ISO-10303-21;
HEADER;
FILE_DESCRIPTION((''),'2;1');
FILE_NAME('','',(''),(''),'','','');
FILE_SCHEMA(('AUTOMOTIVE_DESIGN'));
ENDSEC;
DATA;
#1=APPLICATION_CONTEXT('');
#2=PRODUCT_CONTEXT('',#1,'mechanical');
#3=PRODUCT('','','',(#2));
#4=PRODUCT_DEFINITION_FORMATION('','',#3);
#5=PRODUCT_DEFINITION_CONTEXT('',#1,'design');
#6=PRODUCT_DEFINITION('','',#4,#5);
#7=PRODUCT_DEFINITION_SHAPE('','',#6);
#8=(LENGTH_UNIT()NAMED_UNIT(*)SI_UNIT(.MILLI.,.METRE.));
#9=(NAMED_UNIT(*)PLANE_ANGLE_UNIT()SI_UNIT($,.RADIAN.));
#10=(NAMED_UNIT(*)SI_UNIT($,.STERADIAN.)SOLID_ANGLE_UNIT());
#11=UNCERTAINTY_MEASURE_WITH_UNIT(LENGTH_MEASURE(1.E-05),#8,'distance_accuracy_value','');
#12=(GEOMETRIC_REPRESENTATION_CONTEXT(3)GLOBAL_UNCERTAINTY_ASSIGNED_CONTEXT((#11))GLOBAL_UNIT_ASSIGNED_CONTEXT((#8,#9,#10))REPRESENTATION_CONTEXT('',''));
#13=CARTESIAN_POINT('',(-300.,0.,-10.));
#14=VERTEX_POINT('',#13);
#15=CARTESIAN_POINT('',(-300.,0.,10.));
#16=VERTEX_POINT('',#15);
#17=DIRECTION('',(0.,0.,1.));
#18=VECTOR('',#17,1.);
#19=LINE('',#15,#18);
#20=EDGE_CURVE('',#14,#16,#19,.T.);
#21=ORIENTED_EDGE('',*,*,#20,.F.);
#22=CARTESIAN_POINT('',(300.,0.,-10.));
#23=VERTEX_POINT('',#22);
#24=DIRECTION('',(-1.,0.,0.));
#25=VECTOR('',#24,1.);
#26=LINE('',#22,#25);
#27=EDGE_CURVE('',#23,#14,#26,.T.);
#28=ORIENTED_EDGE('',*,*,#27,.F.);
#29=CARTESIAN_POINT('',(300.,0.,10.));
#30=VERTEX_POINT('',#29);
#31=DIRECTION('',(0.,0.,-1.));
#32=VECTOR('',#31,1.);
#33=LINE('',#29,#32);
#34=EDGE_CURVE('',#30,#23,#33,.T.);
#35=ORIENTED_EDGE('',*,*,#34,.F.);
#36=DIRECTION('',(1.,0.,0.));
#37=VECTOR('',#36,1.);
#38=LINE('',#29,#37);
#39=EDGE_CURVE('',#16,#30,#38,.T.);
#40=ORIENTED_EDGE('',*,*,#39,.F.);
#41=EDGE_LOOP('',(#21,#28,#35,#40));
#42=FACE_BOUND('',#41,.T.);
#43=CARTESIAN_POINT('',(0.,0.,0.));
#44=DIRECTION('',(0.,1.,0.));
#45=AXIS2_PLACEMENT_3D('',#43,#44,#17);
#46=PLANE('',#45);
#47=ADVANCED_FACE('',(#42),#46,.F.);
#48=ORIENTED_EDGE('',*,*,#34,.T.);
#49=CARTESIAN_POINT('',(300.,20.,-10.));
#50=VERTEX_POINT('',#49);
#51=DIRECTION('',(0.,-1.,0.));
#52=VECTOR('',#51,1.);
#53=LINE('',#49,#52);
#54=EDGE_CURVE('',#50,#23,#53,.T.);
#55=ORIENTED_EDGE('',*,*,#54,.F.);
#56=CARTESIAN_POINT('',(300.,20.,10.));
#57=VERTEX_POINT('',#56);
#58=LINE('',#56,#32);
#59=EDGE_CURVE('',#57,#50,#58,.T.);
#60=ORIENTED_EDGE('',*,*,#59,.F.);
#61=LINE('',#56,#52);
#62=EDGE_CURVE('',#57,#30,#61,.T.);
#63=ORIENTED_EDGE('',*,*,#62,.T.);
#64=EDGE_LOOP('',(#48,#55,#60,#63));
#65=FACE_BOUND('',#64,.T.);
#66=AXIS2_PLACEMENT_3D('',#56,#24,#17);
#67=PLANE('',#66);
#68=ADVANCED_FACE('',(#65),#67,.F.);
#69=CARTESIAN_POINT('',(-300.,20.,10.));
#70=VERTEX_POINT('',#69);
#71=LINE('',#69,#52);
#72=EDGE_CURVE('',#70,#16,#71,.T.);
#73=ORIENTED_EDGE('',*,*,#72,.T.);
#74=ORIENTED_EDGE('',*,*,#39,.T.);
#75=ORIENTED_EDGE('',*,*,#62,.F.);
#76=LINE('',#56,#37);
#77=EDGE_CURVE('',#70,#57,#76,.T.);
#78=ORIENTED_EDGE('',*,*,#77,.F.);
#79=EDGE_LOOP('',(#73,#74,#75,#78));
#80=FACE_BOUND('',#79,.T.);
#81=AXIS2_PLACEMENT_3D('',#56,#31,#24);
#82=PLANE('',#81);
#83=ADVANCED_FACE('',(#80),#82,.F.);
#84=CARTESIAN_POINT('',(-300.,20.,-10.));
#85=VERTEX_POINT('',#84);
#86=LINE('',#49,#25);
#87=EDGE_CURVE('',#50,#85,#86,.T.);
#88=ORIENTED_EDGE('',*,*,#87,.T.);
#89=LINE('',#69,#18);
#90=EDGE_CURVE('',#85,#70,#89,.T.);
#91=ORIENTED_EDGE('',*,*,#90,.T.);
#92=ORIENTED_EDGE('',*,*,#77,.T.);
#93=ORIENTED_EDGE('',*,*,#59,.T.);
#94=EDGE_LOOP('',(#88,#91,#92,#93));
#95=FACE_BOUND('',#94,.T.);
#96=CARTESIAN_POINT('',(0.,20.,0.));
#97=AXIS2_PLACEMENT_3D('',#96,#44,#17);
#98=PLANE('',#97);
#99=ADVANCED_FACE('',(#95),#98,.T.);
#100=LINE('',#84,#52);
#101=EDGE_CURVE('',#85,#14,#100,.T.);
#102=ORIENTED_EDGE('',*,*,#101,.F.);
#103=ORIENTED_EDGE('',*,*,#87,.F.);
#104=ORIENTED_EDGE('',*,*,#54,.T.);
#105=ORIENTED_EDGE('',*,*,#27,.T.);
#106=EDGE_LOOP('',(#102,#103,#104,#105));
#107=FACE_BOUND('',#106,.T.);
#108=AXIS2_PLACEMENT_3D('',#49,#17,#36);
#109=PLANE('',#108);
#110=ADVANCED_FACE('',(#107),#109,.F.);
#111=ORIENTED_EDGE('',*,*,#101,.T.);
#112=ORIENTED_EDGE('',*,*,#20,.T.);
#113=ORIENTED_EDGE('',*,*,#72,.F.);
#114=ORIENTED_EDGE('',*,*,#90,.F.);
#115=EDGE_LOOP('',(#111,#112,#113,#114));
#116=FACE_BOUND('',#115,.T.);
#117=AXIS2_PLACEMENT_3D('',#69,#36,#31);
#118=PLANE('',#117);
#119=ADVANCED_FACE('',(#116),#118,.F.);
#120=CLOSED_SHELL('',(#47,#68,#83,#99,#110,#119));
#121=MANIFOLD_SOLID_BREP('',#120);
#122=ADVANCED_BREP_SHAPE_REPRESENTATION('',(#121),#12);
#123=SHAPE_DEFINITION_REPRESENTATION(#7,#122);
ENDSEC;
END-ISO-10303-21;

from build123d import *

# Parameters (mm, degrees)
SKETCH1_W           = 600
SKETCH1_H           = 20
BOSS_EXTRUDE1_DEPTH = 20


with BuildPart() as part:
    # Sketch1 → Boss-Extrude1 (new body)
    with BuildSketch(Plane(origin=(0, 0, 0), x_dir=(1, 0, 0), z_dir=(0, 1, 0))):
        Rectangle(SKETCH1_W, SKETCH1_H)
    extrude(amount=BOSS_EXTRUDE1_DEPTH)


solid = part.part
